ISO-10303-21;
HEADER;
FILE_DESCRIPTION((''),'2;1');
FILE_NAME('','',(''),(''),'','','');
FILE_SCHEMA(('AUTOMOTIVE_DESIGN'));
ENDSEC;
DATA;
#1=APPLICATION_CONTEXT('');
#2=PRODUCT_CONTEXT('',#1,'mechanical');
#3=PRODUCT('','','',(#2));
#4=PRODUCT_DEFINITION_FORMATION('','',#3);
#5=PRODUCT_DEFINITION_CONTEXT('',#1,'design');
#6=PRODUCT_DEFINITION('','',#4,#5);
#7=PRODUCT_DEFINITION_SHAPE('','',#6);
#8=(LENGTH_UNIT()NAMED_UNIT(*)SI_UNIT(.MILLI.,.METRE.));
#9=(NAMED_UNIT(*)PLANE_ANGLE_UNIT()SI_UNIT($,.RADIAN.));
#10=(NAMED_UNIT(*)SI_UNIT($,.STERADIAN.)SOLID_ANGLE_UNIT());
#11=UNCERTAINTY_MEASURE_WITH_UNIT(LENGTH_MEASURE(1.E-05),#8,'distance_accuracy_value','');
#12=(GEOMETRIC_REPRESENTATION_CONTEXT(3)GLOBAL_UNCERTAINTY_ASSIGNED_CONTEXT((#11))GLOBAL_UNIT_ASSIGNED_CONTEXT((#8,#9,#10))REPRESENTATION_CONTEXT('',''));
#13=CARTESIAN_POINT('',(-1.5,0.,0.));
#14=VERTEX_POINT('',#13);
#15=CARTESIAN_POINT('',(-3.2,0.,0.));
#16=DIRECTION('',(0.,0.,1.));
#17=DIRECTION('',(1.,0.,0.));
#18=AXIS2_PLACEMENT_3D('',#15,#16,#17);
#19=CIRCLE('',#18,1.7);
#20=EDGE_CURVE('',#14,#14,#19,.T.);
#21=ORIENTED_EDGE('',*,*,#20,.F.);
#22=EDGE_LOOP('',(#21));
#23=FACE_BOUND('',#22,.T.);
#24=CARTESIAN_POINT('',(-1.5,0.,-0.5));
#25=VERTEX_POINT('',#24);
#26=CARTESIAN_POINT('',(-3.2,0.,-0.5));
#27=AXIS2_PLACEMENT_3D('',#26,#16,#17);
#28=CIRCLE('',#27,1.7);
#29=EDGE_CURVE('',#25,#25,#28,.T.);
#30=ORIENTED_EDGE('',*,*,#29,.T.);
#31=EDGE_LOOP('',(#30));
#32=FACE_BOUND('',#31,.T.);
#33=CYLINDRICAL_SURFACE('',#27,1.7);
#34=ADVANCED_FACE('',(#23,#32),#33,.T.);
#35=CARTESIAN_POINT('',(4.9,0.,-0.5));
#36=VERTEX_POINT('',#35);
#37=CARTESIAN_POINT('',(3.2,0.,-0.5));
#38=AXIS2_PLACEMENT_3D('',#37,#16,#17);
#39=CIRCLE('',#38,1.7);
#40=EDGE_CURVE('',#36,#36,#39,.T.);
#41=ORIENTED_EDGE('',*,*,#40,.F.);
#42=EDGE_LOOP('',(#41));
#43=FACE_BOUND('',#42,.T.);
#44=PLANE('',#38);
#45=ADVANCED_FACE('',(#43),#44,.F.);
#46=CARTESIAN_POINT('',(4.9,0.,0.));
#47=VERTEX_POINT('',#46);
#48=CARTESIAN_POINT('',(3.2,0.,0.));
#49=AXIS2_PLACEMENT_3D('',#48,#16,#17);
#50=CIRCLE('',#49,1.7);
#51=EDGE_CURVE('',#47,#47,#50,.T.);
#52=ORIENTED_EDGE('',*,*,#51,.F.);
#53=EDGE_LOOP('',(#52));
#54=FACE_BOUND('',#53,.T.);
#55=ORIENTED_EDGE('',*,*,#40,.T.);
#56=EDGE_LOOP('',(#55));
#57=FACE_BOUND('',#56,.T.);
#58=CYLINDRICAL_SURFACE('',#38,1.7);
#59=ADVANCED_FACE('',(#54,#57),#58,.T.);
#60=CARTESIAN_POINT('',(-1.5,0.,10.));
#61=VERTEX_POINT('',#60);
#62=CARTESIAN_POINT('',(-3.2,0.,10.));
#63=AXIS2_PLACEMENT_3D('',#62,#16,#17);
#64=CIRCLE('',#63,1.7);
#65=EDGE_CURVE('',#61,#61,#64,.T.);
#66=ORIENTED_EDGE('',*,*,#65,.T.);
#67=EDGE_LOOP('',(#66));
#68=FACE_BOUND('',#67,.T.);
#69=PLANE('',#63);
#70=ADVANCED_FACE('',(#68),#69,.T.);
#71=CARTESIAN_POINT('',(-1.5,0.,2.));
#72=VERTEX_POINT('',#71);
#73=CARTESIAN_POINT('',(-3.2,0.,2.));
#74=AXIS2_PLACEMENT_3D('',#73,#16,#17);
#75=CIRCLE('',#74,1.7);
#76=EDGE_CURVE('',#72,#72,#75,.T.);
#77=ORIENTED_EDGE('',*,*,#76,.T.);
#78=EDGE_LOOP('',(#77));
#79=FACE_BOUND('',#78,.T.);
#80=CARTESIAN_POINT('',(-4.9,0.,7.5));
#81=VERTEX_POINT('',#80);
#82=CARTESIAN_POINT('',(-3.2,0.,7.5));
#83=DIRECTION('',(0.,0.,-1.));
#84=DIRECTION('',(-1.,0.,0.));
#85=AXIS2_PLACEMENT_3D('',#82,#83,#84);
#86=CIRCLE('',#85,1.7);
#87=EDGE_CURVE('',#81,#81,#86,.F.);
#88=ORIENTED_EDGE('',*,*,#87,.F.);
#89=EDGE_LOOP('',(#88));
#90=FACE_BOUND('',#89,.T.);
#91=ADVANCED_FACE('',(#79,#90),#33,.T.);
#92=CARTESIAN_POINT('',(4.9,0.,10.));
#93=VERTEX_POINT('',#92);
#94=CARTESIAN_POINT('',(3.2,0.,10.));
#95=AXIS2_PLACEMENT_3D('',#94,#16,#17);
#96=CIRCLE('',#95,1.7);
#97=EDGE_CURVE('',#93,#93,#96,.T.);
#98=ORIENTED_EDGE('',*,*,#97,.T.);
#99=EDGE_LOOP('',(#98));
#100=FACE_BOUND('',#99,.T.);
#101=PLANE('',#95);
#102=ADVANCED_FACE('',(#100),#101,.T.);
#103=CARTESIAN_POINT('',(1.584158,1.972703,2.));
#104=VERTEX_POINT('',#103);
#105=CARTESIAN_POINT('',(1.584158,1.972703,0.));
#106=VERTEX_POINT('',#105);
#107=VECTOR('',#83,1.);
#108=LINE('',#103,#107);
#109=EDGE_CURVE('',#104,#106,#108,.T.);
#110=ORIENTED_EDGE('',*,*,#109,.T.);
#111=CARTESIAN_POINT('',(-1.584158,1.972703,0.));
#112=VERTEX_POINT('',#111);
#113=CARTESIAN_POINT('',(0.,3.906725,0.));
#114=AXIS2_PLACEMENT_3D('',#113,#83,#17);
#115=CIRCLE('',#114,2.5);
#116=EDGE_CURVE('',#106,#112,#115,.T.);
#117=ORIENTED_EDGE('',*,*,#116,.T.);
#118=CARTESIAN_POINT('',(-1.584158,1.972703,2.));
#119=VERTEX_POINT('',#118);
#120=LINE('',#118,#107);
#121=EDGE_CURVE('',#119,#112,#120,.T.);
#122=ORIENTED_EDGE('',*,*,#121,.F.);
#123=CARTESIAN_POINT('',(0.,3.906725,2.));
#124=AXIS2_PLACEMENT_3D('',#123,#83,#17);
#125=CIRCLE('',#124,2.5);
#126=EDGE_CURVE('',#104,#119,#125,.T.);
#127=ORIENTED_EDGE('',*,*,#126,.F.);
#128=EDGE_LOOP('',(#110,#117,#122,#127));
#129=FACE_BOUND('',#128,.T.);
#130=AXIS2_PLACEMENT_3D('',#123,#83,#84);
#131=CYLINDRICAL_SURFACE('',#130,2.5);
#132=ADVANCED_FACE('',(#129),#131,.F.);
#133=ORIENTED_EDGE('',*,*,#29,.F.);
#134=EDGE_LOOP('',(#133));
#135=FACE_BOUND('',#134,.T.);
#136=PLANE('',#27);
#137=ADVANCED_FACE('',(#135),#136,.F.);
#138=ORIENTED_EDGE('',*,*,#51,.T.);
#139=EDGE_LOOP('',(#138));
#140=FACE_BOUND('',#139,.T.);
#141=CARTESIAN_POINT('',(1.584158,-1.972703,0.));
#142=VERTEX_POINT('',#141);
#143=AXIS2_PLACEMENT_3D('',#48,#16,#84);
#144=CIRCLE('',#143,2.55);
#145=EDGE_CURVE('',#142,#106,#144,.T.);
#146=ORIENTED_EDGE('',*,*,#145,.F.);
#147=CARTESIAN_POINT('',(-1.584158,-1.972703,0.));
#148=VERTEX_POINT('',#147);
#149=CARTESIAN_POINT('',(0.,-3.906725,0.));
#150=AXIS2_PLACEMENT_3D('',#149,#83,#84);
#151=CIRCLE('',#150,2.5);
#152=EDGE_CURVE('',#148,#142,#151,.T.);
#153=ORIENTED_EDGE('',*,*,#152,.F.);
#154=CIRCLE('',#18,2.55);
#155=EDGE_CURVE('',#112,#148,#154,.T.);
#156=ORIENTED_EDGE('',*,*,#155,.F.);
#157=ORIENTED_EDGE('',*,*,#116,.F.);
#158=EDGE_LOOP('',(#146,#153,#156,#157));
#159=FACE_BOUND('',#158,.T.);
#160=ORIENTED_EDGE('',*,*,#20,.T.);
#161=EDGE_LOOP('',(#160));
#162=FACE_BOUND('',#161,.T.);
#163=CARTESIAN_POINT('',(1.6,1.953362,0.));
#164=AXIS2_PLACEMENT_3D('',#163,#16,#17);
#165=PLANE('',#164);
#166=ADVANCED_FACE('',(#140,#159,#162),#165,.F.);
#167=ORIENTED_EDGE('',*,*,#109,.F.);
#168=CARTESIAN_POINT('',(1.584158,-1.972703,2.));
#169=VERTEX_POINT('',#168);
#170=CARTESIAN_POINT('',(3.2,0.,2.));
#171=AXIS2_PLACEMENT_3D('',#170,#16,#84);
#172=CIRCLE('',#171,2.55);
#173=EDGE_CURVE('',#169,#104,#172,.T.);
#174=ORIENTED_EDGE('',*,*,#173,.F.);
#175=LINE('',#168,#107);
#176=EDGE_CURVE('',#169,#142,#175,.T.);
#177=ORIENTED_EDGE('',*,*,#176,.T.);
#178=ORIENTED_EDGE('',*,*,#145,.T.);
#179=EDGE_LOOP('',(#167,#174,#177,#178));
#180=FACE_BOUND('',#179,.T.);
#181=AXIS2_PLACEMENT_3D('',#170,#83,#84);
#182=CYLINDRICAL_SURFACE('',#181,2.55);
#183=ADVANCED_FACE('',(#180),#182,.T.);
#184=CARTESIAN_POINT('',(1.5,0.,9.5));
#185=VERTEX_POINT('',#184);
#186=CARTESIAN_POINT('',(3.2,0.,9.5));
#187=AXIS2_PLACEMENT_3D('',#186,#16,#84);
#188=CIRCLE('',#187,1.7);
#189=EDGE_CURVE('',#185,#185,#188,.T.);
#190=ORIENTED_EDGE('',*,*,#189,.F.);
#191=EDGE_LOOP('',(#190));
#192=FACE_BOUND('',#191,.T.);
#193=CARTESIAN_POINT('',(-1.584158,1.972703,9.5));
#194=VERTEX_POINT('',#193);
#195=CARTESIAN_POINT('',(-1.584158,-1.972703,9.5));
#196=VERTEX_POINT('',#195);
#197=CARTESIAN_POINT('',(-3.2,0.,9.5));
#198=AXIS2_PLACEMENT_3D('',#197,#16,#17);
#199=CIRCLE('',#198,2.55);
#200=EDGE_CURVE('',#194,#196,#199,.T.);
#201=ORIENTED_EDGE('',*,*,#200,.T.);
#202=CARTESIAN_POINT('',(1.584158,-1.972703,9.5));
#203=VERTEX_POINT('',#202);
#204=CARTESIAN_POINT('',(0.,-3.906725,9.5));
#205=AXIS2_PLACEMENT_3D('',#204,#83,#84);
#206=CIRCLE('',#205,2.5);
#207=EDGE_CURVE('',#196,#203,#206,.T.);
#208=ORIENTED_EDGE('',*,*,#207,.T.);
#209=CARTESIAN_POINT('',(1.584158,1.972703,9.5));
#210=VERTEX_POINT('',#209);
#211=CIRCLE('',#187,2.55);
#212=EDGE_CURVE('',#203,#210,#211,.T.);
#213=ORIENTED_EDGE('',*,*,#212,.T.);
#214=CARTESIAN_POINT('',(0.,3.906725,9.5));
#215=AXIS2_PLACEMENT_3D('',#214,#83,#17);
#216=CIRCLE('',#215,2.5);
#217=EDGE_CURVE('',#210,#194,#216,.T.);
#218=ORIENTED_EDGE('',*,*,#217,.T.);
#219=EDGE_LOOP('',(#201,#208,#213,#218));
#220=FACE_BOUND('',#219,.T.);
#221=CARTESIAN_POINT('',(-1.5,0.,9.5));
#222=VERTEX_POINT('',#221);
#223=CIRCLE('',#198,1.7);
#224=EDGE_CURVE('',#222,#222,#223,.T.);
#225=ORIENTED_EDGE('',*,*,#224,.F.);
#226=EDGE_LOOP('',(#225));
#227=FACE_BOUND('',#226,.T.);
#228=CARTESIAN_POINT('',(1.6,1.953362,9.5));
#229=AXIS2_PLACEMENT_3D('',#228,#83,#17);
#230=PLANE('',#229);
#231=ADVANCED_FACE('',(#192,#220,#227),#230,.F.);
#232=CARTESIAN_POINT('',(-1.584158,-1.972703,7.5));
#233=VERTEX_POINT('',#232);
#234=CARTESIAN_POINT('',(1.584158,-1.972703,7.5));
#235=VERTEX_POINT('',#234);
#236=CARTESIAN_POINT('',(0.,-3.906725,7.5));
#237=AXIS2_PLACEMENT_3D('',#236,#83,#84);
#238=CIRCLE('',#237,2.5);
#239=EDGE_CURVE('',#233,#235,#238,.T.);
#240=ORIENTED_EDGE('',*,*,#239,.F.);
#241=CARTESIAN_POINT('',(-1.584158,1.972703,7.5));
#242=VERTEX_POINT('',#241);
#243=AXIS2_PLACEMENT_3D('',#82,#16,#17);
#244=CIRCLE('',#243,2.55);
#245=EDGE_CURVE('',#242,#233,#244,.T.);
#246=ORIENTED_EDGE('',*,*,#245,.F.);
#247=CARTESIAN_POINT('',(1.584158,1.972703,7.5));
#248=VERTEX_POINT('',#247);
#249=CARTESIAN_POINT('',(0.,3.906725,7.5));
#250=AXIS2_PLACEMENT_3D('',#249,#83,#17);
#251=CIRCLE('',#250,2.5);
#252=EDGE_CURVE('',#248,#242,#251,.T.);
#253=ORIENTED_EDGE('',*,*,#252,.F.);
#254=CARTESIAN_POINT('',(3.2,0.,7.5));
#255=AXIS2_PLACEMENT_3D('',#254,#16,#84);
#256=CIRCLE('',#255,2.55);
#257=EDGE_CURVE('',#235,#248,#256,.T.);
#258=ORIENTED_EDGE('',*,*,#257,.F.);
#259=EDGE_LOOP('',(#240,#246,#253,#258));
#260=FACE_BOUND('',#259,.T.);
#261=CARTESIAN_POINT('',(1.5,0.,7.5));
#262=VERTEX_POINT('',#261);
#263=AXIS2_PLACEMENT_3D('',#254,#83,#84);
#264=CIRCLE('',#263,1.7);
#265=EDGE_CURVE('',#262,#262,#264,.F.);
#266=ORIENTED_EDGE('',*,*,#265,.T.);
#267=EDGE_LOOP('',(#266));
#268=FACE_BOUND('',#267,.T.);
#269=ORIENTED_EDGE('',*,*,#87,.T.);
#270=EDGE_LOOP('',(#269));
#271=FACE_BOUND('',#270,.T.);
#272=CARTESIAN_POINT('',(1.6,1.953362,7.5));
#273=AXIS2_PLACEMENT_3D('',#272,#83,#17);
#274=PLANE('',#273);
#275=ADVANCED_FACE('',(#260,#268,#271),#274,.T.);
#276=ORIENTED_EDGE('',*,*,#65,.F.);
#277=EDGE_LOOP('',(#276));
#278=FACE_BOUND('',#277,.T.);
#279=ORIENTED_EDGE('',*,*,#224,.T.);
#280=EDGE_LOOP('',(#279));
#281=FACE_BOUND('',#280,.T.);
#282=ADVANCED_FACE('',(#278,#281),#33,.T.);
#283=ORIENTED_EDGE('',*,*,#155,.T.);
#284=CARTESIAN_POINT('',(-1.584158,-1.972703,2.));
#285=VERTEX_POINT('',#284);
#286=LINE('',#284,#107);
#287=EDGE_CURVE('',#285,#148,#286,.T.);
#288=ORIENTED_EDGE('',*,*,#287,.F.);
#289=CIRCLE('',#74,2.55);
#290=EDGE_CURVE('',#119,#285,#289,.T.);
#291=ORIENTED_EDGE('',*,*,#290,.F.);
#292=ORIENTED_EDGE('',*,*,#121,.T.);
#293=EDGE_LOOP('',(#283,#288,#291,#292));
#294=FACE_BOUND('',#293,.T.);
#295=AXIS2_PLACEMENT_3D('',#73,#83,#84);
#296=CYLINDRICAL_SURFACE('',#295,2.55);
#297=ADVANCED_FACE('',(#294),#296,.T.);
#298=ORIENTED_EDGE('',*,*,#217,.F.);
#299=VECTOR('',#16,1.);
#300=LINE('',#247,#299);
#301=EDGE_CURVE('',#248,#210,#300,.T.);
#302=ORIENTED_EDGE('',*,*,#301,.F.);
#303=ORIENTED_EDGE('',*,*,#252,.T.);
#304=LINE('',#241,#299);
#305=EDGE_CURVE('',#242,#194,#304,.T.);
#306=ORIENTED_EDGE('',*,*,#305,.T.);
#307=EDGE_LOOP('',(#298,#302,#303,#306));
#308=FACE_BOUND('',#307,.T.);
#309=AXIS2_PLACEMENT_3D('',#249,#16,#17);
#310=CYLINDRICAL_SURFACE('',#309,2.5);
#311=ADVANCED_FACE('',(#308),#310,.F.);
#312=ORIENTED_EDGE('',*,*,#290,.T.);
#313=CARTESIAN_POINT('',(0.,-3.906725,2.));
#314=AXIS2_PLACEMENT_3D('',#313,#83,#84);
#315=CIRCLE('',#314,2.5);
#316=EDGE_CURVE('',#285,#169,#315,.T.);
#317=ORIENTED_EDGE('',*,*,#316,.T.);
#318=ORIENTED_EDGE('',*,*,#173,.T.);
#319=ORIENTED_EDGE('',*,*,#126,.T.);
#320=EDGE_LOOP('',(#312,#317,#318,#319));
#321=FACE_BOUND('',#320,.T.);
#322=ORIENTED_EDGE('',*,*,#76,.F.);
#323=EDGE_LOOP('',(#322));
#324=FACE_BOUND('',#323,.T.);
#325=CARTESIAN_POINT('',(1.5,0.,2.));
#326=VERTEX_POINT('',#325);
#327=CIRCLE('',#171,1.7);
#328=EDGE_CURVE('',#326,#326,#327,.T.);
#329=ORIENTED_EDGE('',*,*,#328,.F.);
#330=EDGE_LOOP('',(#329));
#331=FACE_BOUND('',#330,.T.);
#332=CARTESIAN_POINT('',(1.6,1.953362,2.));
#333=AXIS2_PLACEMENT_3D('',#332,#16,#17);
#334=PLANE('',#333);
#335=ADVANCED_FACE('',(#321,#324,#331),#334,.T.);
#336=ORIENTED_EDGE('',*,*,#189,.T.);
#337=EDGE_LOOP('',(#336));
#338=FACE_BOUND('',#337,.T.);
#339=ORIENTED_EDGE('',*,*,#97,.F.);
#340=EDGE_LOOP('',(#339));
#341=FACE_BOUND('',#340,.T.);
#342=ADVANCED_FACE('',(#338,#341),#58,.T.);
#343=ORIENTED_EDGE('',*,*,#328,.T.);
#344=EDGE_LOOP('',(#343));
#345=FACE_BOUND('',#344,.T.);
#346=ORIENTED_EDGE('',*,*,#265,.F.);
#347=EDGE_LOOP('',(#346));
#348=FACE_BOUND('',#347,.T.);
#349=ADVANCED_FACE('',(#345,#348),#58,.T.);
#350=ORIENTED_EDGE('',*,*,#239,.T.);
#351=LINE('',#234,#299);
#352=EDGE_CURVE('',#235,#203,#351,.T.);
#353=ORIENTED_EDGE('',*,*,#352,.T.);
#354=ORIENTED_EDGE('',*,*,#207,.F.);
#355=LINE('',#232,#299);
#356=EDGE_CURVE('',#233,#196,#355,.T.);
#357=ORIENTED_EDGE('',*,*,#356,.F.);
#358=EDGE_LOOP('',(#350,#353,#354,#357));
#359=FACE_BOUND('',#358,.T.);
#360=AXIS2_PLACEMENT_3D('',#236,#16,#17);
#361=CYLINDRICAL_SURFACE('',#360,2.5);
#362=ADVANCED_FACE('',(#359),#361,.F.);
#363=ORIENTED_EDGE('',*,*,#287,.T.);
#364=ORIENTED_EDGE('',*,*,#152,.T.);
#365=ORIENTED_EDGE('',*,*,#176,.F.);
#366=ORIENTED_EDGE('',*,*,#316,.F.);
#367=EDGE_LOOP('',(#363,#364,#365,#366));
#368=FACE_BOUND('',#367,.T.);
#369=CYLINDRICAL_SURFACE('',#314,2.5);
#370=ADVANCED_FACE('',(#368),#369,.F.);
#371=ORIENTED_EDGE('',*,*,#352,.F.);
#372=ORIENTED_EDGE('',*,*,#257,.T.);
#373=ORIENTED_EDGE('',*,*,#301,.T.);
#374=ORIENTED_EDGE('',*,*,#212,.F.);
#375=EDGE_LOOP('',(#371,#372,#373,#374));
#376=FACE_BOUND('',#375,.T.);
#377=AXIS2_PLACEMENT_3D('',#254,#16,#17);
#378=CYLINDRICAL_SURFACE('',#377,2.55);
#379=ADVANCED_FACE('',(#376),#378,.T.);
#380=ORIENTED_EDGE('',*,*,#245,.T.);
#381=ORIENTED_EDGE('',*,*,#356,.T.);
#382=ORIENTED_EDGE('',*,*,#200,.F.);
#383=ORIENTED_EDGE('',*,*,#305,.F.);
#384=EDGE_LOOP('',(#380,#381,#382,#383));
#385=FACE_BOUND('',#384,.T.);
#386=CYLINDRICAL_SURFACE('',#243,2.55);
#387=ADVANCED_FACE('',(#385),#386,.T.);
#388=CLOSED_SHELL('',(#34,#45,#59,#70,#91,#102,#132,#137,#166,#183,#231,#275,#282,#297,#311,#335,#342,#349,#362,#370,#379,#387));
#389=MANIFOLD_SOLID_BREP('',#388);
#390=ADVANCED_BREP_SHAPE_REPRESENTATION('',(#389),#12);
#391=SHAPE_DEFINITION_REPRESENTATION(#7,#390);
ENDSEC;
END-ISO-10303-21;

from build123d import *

# Parameters (mm, degrees)
CROQUIS1_R                   = 1.7
SALIENTE_EXTRUIR1_DEPTH      = 2
SALIENTE_EXTRUIR2_DEPTH      = 8
SALIENTE_EXTRUIR2_DEPTH_BACK = 2.5
CROQUIS3_R                   = 1.7


with BuildPart() as part:
    # Croquis1 → Saliente-Extruir1 (new body)
    with BuildSketch(Plane.XY):
        with BuildLine():
            ThreePointArc((-1.584158416, 1.972702708), (-5.75, 0), (-1.584158416, -1.972702708))
            ThreePointArc((-1.584158416, -1.972702708), (0, -1.406724971), (1.584158416, -1.972702708))
            ThreePointArc((1.584158416, -1.972702708), (5.75, 0), (1.584158416, 1.972702708))
            ThreePointArc((1.584158416, 1.972702708), (0, 1.406724971), (-1.584158416, 1.972702708))
        make_face()
        with Locations((-3.2, 0)):
            Circle(CROQUIS1_R, mode=Mode.SUBTRACT)
        with Locations(Location((3.2, 0, 0), (0, 0, 180))):
            Circle(CROQUIS1_R, mode=Mode.SUBTRACT)
    saliente_extruir1 = extrude(amount=SALIENTE_EXTRUIR1_DEPTH)

    # Croquis3 → Saliente-Extruir2 (add, two sides: drawn at the far end of the back side and taken through both)
    with BuildSketch(Plane.XY.offset(2).offset(-SALIENTE_EXTRUIR2_DEPTH_BACK)):
        with Locations((-3.2, 0)):
            Circle(CROQUIS3_R)
        with Locations((3.2, 0)):
            Circle(CROQUIS3_R)
    extrude(amount=SALIENTE_EXTRUIR2_DEPTH + SALIENTE_EXTRUIR2_DEPTH_BACK)

    # Simetría1: Saliente-Extruir1 across plane
    add(saliente_extruir1.mirror(Plane.XY.offset(4.75)))


solid = part.part
